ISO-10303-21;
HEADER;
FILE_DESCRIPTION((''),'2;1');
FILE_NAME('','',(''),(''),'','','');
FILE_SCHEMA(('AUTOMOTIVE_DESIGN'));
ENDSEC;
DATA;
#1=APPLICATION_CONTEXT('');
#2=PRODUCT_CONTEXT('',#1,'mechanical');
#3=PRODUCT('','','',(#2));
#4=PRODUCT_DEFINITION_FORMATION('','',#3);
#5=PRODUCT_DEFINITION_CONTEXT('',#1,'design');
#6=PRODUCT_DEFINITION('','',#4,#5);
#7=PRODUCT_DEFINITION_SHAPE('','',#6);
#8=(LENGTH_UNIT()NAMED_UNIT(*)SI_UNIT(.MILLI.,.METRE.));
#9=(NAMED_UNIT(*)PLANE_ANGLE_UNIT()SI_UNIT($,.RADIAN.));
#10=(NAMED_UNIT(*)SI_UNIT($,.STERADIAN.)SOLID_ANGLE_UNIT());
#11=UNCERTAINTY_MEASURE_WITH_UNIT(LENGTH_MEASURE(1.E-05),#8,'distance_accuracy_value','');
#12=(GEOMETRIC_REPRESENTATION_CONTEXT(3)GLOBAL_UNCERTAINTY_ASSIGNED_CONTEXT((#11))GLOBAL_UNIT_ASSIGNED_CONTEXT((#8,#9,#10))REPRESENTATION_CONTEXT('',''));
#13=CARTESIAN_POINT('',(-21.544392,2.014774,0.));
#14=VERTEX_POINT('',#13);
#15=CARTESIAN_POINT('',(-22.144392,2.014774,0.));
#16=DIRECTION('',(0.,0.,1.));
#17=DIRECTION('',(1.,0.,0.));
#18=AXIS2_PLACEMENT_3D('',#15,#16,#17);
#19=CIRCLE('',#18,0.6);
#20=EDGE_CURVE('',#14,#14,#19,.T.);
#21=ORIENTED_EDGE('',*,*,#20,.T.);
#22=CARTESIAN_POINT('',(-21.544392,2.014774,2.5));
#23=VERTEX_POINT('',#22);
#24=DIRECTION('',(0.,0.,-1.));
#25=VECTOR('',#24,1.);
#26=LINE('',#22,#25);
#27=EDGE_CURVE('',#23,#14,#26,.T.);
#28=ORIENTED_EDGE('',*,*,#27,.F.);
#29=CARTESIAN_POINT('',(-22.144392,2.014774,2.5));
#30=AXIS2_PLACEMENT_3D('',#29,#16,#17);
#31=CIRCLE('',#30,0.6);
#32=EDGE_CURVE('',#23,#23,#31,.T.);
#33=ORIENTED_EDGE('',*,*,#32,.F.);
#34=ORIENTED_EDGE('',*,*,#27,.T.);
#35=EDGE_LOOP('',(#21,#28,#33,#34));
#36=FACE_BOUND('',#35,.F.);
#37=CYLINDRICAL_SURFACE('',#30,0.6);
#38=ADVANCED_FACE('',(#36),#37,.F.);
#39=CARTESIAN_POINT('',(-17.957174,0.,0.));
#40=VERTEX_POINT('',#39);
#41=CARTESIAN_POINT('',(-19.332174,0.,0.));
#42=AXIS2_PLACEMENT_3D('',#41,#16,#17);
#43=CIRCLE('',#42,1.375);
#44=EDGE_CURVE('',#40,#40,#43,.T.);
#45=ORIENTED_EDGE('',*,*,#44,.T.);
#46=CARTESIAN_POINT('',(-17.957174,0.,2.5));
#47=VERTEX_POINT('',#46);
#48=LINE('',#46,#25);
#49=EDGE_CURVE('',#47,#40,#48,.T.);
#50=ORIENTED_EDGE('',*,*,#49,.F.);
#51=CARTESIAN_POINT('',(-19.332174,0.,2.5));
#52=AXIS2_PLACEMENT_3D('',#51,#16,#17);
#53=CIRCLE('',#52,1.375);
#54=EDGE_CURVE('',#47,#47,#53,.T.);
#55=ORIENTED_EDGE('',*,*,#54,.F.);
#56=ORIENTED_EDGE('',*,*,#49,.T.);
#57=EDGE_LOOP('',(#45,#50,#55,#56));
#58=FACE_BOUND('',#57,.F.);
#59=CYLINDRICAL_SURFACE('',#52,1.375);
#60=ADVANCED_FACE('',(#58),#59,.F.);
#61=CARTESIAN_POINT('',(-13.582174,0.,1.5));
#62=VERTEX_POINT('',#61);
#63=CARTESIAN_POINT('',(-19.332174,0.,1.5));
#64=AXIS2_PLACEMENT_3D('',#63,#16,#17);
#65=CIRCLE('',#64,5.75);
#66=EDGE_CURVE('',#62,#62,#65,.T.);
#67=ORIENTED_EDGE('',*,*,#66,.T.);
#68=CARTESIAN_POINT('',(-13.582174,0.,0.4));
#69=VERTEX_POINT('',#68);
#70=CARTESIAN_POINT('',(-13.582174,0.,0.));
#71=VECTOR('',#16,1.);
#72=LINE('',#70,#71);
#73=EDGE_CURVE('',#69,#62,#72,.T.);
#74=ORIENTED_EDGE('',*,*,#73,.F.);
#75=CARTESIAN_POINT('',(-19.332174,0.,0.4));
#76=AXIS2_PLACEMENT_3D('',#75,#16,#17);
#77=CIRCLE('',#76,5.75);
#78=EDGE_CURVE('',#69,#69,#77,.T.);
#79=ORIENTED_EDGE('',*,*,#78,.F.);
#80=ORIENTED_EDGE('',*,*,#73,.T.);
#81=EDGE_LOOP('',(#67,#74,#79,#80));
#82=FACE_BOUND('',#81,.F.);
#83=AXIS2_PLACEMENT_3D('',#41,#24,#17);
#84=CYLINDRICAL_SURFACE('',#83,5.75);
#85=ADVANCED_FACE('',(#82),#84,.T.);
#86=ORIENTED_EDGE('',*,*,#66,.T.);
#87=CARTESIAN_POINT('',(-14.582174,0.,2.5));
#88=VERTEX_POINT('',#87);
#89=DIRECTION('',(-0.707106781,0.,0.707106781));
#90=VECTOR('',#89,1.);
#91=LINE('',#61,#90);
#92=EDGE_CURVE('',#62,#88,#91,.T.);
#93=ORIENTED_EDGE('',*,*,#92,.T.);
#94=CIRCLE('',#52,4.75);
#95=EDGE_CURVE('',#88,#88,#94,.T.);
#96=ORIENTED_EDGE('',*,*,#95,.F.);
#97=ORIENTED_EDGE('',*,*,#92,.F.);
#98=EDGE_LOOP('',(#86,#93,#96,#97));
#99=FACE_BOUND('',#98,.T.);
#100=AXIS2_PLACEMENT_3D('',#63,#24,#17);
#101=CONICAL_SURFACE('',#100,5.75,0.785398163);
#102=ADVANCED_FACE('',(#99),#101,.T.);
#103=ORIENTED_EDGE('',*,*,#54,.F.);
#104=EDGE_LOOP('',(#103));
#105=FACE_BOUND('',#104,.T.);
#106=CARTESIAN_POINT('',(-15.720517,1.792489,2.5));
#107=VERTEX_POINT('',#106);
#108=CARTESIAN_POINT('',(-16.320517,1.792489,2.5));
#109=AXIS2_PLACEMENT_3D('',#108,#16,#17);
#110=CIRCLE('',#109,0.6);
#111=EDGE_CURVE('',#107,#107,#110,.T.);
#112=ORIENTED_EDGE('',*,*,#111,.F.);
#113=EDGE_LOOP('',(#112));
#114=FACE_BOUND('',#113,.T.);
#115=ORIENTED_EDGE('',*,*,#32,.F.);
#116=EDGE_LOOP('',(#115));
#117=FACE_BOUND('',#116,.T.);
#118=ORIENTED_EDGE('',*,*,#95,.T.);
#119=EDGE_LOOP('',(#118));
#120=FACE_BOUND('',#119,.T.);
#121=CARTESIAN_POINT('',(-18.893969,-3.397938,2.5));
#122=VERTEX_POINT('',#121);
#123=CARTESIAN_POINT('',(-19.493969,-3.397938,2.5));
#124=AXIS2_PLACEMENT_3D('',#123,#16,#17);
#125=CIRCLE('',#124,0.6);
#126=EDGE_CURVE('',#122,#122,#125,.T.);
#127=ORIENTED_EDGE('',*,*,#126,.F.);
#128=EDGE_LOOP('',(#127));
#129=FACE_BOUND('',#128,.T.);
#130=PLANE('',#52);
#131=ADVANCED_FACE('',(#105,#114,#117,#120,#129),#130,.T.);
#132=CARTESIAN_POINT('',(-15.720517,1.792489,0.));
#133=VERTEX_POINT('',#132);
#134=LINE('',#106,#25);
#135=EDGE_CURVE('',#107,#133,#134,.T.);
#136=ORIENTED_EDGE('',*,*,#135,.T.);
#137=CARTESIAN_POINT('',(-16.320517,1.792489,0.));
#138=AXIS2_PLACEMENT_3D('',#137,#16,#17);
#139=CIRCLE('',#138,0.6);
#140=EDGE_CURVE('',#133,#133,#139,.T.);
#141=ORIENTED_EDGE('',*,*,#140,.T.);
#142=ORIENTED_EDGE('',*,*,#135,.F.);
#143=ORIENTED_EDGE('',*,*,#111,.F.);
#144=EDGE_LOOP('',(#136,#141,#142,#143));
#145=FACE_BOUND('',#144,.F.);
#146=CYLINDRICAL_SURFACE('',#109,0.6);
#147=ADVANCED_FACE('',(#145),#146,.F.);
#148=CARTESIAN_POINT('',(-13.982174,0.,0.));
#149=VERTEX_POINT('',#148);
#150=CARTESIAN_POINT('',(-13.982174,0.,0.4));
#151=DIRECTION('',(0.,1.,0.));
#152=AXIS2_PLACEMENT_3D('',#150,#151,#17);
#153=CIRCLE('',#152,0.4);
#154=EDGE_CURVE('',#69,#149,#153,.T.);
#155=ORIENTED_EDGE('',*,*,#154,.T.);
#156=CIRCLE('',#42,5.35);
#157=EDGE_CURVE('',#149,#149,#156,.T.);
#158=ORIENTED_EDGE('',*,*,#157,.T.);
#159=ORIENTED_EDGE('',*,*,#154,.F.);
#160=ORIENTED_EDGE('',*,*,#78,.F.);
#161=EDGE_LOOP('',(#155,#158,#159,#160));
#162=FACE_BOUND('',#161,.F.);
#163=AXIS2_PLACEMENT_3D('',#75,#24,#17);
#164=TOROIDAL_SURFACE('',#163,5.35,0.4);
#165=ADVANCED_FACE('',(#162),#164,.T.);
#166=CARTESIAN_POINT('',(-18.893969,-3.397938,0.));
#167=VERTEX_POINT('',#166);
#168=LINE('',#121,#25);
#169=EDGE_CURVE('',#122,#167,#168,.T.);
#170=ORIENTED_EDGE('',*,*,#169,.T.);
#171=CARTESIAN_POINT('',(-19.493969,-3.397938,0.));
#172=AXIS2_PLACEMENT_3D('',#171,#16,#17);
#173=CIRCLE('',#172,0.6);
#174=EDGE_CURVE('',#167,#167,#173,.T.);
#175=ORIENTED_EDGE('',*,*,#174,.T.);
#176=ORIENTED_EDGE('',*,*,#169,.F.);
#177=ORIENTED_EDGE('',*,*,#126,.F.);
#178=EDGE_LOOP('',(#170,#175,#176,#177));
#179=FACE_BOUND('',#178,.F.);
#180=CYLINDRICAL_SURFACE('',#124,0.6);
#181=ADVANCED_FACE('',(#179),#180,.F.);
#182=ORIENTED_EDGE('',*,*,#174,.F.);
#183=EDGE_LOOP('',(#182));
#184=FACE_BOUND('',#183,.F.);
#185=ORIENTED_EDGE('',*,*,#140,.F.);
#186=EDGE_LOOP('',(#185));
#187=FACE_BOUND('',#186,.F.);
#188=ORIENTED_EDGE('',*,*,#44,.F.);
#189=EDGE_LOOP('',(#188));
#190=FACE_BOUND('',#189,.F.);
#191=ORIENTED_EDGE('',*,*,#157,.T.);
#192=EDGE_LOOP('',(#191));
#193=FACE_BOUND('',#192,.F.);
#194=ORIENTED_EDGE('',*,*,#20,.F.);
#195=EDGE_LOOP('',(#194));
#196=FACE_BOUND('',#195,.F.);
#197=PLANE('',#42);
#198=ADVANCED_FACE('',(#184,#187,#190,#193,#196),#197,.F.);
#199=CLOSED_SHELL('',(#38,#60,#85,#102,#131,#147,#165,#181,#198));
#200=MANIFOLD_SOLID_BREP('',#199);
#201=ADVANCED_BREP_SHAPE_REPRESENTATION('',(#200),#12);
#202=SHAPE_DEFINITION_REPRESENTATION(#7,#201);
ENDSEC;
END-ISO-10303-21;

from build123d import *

# Parameters (mm, degrees)
F0_R     = 5.75
F1_DEPTH = 2.5
F2_R     = 1.375
F3_DEPTH = 25.4
F4_R     = 0.6
F5_DEPTH = 25.4
F6_R     = 0.6
F7_DEPTH = 25.4
F8_R     = 0.6
F9_DEPTH = 25.4
F10_SIZE = 1
F11_R    = 0.4


with BuildPart() as f1:
    # F0 (on Top) → F1 (new body)
    with BuildSketch(Plane.XY):
        with Locations((-19.332174, 0)):
            Circle(F0_R)
    extrude(amount=F1_DEPTH)

    # F2 (on face) → F3 (cut)
    with BuildSketch(Plane.XY.offset(2.5)):
        with Locations((-19.332174, 0)):
            Circle(F2_R)
    extrude(amount=-F3_DEPTH, mode=Mode.SUBTRACT)

    # F4 (on face) → F5 (cut)
    with BuildSketch(Plane.XY.offset(2.5)):
        with Locations((-22.144392, 2.014774)):
            Circle(F4_R)
    extrude(amount=-F5_DEPTH, mode=Mode.SUBTRACT)

    # F6 (on face) → F7 (cut)
    with BuildSketch(Plane.XY.offset(2.5)):
        with Locations((-19.493969, -3.397938)):
            Circle(F6_R)
    extrude(amount=-F7_DEPTH, mode=Mode.SUBTRACT)

    # F8 (on face) → F9 (cut)
    with BuildSketch(Plane.XY.offset(2.5)):
        with Locations((-16.320517, 1.792489)):
            Circle(F8_R)
    extrude(amount=-F9_DEPTH, mode=Mode.SUBTRACT)

    # F10
    f10_edges = [f1.edges().sort_by_distance(p)[0] for p in [
        (-25.082174, 0, 2.5),
    ]]
    chamfer(f10_edges, length=F10_SIZE)

    # F11
    f11_edges = [f1.edges().sort_by_distance(p)[0] for p in [
        (-25.082174, 0, 0),
    ]]
    fillet(f11_edges, radius=F11_R)


solid = f1.part
